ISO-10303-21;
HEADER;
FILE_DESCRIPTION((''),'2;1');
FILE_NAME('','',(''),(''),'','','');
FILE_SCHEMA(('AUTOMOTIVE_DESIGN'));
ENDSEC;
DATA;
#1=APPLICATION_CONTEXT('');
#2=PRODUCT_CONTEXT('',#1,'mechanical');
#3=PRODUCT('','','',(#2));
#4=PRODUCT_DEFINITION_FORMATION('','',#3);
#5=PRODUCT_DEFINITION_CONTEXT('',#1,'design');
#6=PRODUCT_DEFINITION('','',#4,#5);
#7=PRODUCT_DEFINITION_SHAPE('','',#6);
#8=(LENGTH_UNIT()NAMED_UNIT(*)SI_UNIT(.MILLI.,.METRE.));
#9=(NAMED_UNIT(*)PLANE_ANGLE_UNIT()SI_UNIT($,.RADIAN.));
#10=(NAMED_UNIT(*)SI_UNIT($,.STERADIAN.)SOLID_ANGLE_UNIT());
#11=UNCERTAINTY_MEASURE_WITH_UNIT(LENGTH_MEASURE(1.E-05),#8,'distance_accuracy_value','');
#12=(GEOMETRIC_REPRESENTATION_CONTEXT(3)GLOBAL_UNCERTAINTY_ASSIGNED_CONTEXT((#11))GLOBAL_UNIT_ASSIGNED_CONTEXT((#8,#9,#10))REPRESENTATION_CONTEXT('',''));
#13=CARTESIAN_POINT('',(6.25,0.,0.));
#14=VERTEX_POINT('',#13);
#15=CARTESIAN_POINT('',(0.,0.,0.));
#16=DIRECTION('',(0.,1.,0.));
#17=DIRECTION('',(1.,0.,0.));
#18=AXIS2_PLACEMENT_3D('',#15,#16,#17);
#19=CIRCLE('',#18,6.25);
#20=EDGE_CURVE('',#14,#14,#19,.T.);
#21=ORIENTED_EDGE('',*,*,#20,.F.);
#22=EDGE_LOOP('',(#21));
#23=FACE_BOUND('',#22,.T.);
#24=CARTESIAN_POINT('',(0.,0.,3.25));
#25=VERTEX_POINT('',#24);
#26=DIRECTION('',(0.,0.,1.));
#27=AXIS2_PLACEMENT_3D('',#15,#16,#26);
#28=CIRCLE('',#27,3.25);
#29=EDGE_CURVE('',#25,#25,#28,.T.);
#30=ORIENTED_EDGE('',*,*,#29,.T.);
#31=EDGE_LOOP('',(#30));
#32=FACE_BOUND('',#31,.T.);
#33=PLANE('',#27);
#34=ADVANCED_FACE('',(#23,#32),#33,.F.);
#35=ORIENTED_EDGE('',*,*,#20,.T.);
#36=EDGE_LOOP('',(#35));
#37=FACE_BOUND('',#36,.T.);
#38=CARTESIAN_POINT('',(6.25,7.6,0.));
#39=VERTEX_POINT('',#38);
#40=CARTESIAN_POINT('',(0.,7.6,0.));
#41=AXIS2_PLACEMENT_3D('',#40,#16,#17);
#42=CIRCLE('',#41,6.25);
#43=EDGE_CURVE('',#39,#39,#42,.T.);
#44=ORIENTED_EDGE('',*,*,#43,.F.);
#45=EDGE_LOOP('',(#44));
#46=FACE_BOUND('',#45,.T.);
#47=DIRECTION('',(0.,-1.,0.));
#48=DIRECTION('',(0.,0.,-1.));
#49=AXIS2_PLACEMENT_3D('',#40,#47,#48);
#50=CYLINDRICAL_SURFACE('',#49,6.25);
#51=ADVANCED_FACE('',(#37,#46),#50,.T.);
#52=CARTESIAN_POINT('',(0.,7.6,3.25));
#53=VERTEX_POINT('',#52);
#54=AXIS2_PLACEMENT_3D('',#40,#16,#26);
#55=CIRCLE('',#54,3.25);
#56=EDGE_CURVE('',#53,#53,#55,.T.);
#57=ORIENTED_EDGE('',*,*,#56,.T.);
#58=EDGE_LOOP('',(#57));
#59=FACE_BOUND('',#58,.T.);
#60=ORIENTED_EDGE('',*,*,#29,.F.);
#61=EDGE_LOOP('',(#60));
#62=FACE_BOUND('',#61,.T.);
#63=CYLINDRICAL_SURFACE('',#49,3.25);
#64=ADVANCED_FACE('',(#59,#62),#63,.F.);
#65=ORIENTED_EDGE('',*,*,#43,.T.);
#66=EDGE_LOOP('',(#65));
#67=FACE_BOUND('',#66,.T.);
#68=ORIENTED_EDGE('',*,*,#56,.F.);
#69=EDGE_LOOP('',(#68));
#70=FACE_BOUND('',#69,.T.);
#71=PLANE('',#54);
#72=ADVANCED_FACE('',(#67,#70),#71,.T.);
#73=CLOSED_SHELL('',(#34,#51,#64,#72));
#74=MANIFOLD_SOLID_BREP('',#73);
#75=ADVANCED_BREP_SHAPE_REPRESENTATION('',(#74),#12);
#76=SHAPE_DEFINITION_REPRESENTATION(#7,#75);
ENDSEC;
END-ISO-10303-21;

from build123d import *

# Parameters (mm, degrees)
SKETCH1_R           = 6.25
SKETCH1_R_2         = 3.25
EXTRUDE_THIN1_DEPTH = 7.6


with BuildPart() as part:
    # Sketch1 → Extrude-Thin1 (new body)
    with BuildSketch(Plane(origin=(0, 0, 0), x_dir=(1, 0, 0), z_dir=(0, 1, 0))):
        Circle(SKETCH1_R)
        Circle(SKETCH1_R_2, mode=Mode.SUBTRACT)
    extrude(amount=EXTRUDE_THIN1_DEPTH)


solid = part.part
